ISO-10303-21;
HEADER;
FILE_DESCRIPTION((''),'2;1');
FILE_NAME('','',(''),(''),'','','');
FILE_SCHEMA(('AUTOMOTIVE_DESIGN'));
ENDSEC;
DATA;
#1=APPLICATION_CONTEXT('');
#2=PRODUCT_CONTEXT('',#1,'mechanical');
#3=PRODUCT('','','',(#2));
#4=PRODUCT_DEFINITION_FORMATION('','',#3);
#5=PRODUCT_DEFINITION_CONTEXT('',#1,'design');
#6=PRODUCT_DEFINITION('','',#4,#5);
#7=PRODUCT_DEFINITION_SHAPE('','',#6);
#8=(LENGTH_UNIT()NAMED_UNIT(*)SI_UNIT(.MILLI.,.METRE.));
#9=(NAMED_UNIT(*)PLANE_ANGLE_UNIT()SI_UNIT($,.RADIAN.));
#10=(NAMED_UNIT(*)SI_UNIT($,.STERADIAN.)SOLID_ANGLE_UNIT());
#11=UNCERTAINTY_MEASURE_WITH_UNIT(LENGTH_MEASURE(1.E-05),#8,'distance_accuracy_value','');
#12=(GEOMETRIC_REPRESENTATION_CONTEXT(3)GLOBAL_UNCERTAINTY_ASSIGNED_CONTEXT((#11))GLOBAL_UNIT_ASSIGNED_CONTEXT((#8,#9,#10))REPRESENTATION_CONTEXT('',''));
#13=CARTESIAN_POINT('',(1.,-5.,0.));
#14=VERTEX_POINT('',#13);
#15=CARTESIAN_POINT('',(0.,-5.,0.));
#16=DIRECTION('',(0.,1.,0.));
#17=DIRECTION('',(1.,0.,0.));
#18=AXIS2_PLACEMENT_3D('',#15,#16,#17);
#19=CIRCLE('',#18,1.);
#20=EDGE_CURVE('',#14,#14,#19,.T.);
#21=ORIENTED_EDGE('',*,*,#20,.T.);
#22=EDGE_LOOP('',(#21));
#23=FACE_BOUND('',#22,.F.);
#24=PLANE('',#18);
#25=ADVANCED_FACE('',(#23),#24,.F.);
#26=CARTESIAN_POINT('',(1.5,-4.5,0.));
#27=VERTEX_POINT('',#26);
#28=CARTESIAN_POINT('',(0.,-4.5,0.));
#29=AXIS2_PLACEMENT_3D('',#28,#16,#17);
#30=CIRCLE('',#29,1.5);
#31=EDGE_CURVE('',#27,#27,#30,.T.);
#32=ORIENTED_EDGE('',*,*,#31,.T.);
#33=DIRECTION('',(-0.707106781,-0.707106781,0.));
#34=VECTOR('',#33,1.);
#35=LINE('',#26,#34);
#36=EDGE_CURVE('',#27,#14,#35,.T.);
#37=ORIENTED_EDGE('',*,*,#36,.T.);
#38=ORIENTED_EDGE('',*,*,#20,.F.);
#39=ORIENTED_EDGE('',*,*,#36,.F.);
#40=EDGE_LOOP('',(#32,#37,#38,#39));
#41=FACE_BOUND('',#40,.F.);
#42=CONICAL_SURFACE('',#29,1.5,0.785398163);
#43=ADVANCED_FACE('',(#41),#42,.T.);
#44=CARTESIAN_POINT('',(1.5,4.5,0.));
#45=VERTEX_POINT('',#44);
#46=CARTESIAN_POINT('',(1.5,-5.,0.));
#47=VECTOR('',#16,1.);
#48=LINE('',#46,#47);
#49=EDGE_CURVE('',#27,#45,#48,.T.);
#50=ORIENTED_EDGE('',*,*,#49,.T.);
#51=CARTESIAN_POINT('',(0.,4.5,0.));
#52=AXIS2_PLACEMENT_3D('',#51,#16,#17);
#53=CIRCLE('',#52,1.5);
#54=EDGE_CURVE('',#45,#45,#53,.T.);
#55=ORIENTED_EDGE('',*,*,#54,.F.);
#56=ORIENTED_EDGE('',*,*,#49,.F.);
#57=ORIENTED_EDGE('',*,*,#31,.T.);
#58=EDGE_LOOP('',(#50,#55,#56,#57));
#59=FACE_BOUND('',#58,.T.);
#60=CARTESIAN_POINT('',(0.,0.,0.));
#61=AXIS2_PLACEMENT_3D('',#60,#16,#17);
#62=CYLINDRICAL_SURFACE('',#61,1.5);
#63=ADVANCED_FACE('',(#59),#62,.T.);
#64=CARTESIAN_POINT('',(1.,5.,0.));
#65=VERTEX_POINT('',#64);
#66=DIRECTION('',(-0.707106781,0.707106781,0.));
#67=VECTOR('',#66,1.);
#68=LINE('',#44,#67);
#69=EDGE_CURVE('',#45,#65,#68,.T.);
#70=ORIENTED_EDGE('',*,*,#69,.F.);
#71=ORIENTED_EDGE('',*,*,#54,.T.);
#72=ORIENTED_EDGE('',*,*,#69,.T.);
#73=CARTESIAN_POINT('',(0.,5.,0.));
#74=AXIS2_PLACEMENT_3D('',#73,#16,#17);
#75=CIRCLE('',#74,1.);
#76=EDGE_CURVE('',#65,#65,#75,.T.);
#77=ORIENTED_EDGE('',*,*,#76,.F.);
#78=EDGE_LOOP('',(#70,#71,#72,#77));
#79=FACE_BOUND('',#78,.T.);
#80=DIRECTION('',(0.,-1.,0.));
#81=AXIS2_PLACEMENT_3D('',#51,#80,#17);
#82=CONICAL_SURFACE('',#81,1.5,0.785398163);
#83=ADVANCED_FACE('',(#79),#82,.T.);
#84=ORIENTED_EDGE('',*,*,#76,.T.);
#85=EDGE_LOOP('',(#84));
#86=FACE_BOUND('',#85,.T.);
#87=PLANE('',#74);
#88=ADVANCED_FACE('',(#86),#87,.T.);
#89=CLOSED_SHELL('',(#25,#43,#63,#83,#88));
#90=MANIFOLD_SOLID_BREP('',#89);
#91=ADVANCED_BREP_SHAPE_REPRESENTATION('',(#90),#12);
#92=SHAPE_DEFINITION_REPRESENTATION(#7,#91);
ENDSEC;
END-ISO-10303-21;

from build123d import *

# Parameters (mm, degrees)
SKETCH_1_R      = 1.5
EXTRUDE_1_DEPTH = 5
CHAMFER_1_SIZE  = 0.5


with BuildPart() as part:
    # 草图1 → 凸台-拉伸1 (new body, symmetric)
    with BuildSketch(Plane(origin=(0, 0, 0), x_dir=(1, 0, 0), z_dir=(0, 1, 0))):
        Circle(SKETCH_1_R)
    extrude(amount=EXTRUDE_1_DEPTH, both=True)

    # 倒角1
    chamfer_1_edges = [part.edges().sort_by_distance(p)[0] for p in [
        (-1.5, -5, 0),
        (-1.5, 5, 0),
    ]]
    chamfer(chamfer_1_edges, length=CHAMFER_1_SIZE)


solid = part.part
